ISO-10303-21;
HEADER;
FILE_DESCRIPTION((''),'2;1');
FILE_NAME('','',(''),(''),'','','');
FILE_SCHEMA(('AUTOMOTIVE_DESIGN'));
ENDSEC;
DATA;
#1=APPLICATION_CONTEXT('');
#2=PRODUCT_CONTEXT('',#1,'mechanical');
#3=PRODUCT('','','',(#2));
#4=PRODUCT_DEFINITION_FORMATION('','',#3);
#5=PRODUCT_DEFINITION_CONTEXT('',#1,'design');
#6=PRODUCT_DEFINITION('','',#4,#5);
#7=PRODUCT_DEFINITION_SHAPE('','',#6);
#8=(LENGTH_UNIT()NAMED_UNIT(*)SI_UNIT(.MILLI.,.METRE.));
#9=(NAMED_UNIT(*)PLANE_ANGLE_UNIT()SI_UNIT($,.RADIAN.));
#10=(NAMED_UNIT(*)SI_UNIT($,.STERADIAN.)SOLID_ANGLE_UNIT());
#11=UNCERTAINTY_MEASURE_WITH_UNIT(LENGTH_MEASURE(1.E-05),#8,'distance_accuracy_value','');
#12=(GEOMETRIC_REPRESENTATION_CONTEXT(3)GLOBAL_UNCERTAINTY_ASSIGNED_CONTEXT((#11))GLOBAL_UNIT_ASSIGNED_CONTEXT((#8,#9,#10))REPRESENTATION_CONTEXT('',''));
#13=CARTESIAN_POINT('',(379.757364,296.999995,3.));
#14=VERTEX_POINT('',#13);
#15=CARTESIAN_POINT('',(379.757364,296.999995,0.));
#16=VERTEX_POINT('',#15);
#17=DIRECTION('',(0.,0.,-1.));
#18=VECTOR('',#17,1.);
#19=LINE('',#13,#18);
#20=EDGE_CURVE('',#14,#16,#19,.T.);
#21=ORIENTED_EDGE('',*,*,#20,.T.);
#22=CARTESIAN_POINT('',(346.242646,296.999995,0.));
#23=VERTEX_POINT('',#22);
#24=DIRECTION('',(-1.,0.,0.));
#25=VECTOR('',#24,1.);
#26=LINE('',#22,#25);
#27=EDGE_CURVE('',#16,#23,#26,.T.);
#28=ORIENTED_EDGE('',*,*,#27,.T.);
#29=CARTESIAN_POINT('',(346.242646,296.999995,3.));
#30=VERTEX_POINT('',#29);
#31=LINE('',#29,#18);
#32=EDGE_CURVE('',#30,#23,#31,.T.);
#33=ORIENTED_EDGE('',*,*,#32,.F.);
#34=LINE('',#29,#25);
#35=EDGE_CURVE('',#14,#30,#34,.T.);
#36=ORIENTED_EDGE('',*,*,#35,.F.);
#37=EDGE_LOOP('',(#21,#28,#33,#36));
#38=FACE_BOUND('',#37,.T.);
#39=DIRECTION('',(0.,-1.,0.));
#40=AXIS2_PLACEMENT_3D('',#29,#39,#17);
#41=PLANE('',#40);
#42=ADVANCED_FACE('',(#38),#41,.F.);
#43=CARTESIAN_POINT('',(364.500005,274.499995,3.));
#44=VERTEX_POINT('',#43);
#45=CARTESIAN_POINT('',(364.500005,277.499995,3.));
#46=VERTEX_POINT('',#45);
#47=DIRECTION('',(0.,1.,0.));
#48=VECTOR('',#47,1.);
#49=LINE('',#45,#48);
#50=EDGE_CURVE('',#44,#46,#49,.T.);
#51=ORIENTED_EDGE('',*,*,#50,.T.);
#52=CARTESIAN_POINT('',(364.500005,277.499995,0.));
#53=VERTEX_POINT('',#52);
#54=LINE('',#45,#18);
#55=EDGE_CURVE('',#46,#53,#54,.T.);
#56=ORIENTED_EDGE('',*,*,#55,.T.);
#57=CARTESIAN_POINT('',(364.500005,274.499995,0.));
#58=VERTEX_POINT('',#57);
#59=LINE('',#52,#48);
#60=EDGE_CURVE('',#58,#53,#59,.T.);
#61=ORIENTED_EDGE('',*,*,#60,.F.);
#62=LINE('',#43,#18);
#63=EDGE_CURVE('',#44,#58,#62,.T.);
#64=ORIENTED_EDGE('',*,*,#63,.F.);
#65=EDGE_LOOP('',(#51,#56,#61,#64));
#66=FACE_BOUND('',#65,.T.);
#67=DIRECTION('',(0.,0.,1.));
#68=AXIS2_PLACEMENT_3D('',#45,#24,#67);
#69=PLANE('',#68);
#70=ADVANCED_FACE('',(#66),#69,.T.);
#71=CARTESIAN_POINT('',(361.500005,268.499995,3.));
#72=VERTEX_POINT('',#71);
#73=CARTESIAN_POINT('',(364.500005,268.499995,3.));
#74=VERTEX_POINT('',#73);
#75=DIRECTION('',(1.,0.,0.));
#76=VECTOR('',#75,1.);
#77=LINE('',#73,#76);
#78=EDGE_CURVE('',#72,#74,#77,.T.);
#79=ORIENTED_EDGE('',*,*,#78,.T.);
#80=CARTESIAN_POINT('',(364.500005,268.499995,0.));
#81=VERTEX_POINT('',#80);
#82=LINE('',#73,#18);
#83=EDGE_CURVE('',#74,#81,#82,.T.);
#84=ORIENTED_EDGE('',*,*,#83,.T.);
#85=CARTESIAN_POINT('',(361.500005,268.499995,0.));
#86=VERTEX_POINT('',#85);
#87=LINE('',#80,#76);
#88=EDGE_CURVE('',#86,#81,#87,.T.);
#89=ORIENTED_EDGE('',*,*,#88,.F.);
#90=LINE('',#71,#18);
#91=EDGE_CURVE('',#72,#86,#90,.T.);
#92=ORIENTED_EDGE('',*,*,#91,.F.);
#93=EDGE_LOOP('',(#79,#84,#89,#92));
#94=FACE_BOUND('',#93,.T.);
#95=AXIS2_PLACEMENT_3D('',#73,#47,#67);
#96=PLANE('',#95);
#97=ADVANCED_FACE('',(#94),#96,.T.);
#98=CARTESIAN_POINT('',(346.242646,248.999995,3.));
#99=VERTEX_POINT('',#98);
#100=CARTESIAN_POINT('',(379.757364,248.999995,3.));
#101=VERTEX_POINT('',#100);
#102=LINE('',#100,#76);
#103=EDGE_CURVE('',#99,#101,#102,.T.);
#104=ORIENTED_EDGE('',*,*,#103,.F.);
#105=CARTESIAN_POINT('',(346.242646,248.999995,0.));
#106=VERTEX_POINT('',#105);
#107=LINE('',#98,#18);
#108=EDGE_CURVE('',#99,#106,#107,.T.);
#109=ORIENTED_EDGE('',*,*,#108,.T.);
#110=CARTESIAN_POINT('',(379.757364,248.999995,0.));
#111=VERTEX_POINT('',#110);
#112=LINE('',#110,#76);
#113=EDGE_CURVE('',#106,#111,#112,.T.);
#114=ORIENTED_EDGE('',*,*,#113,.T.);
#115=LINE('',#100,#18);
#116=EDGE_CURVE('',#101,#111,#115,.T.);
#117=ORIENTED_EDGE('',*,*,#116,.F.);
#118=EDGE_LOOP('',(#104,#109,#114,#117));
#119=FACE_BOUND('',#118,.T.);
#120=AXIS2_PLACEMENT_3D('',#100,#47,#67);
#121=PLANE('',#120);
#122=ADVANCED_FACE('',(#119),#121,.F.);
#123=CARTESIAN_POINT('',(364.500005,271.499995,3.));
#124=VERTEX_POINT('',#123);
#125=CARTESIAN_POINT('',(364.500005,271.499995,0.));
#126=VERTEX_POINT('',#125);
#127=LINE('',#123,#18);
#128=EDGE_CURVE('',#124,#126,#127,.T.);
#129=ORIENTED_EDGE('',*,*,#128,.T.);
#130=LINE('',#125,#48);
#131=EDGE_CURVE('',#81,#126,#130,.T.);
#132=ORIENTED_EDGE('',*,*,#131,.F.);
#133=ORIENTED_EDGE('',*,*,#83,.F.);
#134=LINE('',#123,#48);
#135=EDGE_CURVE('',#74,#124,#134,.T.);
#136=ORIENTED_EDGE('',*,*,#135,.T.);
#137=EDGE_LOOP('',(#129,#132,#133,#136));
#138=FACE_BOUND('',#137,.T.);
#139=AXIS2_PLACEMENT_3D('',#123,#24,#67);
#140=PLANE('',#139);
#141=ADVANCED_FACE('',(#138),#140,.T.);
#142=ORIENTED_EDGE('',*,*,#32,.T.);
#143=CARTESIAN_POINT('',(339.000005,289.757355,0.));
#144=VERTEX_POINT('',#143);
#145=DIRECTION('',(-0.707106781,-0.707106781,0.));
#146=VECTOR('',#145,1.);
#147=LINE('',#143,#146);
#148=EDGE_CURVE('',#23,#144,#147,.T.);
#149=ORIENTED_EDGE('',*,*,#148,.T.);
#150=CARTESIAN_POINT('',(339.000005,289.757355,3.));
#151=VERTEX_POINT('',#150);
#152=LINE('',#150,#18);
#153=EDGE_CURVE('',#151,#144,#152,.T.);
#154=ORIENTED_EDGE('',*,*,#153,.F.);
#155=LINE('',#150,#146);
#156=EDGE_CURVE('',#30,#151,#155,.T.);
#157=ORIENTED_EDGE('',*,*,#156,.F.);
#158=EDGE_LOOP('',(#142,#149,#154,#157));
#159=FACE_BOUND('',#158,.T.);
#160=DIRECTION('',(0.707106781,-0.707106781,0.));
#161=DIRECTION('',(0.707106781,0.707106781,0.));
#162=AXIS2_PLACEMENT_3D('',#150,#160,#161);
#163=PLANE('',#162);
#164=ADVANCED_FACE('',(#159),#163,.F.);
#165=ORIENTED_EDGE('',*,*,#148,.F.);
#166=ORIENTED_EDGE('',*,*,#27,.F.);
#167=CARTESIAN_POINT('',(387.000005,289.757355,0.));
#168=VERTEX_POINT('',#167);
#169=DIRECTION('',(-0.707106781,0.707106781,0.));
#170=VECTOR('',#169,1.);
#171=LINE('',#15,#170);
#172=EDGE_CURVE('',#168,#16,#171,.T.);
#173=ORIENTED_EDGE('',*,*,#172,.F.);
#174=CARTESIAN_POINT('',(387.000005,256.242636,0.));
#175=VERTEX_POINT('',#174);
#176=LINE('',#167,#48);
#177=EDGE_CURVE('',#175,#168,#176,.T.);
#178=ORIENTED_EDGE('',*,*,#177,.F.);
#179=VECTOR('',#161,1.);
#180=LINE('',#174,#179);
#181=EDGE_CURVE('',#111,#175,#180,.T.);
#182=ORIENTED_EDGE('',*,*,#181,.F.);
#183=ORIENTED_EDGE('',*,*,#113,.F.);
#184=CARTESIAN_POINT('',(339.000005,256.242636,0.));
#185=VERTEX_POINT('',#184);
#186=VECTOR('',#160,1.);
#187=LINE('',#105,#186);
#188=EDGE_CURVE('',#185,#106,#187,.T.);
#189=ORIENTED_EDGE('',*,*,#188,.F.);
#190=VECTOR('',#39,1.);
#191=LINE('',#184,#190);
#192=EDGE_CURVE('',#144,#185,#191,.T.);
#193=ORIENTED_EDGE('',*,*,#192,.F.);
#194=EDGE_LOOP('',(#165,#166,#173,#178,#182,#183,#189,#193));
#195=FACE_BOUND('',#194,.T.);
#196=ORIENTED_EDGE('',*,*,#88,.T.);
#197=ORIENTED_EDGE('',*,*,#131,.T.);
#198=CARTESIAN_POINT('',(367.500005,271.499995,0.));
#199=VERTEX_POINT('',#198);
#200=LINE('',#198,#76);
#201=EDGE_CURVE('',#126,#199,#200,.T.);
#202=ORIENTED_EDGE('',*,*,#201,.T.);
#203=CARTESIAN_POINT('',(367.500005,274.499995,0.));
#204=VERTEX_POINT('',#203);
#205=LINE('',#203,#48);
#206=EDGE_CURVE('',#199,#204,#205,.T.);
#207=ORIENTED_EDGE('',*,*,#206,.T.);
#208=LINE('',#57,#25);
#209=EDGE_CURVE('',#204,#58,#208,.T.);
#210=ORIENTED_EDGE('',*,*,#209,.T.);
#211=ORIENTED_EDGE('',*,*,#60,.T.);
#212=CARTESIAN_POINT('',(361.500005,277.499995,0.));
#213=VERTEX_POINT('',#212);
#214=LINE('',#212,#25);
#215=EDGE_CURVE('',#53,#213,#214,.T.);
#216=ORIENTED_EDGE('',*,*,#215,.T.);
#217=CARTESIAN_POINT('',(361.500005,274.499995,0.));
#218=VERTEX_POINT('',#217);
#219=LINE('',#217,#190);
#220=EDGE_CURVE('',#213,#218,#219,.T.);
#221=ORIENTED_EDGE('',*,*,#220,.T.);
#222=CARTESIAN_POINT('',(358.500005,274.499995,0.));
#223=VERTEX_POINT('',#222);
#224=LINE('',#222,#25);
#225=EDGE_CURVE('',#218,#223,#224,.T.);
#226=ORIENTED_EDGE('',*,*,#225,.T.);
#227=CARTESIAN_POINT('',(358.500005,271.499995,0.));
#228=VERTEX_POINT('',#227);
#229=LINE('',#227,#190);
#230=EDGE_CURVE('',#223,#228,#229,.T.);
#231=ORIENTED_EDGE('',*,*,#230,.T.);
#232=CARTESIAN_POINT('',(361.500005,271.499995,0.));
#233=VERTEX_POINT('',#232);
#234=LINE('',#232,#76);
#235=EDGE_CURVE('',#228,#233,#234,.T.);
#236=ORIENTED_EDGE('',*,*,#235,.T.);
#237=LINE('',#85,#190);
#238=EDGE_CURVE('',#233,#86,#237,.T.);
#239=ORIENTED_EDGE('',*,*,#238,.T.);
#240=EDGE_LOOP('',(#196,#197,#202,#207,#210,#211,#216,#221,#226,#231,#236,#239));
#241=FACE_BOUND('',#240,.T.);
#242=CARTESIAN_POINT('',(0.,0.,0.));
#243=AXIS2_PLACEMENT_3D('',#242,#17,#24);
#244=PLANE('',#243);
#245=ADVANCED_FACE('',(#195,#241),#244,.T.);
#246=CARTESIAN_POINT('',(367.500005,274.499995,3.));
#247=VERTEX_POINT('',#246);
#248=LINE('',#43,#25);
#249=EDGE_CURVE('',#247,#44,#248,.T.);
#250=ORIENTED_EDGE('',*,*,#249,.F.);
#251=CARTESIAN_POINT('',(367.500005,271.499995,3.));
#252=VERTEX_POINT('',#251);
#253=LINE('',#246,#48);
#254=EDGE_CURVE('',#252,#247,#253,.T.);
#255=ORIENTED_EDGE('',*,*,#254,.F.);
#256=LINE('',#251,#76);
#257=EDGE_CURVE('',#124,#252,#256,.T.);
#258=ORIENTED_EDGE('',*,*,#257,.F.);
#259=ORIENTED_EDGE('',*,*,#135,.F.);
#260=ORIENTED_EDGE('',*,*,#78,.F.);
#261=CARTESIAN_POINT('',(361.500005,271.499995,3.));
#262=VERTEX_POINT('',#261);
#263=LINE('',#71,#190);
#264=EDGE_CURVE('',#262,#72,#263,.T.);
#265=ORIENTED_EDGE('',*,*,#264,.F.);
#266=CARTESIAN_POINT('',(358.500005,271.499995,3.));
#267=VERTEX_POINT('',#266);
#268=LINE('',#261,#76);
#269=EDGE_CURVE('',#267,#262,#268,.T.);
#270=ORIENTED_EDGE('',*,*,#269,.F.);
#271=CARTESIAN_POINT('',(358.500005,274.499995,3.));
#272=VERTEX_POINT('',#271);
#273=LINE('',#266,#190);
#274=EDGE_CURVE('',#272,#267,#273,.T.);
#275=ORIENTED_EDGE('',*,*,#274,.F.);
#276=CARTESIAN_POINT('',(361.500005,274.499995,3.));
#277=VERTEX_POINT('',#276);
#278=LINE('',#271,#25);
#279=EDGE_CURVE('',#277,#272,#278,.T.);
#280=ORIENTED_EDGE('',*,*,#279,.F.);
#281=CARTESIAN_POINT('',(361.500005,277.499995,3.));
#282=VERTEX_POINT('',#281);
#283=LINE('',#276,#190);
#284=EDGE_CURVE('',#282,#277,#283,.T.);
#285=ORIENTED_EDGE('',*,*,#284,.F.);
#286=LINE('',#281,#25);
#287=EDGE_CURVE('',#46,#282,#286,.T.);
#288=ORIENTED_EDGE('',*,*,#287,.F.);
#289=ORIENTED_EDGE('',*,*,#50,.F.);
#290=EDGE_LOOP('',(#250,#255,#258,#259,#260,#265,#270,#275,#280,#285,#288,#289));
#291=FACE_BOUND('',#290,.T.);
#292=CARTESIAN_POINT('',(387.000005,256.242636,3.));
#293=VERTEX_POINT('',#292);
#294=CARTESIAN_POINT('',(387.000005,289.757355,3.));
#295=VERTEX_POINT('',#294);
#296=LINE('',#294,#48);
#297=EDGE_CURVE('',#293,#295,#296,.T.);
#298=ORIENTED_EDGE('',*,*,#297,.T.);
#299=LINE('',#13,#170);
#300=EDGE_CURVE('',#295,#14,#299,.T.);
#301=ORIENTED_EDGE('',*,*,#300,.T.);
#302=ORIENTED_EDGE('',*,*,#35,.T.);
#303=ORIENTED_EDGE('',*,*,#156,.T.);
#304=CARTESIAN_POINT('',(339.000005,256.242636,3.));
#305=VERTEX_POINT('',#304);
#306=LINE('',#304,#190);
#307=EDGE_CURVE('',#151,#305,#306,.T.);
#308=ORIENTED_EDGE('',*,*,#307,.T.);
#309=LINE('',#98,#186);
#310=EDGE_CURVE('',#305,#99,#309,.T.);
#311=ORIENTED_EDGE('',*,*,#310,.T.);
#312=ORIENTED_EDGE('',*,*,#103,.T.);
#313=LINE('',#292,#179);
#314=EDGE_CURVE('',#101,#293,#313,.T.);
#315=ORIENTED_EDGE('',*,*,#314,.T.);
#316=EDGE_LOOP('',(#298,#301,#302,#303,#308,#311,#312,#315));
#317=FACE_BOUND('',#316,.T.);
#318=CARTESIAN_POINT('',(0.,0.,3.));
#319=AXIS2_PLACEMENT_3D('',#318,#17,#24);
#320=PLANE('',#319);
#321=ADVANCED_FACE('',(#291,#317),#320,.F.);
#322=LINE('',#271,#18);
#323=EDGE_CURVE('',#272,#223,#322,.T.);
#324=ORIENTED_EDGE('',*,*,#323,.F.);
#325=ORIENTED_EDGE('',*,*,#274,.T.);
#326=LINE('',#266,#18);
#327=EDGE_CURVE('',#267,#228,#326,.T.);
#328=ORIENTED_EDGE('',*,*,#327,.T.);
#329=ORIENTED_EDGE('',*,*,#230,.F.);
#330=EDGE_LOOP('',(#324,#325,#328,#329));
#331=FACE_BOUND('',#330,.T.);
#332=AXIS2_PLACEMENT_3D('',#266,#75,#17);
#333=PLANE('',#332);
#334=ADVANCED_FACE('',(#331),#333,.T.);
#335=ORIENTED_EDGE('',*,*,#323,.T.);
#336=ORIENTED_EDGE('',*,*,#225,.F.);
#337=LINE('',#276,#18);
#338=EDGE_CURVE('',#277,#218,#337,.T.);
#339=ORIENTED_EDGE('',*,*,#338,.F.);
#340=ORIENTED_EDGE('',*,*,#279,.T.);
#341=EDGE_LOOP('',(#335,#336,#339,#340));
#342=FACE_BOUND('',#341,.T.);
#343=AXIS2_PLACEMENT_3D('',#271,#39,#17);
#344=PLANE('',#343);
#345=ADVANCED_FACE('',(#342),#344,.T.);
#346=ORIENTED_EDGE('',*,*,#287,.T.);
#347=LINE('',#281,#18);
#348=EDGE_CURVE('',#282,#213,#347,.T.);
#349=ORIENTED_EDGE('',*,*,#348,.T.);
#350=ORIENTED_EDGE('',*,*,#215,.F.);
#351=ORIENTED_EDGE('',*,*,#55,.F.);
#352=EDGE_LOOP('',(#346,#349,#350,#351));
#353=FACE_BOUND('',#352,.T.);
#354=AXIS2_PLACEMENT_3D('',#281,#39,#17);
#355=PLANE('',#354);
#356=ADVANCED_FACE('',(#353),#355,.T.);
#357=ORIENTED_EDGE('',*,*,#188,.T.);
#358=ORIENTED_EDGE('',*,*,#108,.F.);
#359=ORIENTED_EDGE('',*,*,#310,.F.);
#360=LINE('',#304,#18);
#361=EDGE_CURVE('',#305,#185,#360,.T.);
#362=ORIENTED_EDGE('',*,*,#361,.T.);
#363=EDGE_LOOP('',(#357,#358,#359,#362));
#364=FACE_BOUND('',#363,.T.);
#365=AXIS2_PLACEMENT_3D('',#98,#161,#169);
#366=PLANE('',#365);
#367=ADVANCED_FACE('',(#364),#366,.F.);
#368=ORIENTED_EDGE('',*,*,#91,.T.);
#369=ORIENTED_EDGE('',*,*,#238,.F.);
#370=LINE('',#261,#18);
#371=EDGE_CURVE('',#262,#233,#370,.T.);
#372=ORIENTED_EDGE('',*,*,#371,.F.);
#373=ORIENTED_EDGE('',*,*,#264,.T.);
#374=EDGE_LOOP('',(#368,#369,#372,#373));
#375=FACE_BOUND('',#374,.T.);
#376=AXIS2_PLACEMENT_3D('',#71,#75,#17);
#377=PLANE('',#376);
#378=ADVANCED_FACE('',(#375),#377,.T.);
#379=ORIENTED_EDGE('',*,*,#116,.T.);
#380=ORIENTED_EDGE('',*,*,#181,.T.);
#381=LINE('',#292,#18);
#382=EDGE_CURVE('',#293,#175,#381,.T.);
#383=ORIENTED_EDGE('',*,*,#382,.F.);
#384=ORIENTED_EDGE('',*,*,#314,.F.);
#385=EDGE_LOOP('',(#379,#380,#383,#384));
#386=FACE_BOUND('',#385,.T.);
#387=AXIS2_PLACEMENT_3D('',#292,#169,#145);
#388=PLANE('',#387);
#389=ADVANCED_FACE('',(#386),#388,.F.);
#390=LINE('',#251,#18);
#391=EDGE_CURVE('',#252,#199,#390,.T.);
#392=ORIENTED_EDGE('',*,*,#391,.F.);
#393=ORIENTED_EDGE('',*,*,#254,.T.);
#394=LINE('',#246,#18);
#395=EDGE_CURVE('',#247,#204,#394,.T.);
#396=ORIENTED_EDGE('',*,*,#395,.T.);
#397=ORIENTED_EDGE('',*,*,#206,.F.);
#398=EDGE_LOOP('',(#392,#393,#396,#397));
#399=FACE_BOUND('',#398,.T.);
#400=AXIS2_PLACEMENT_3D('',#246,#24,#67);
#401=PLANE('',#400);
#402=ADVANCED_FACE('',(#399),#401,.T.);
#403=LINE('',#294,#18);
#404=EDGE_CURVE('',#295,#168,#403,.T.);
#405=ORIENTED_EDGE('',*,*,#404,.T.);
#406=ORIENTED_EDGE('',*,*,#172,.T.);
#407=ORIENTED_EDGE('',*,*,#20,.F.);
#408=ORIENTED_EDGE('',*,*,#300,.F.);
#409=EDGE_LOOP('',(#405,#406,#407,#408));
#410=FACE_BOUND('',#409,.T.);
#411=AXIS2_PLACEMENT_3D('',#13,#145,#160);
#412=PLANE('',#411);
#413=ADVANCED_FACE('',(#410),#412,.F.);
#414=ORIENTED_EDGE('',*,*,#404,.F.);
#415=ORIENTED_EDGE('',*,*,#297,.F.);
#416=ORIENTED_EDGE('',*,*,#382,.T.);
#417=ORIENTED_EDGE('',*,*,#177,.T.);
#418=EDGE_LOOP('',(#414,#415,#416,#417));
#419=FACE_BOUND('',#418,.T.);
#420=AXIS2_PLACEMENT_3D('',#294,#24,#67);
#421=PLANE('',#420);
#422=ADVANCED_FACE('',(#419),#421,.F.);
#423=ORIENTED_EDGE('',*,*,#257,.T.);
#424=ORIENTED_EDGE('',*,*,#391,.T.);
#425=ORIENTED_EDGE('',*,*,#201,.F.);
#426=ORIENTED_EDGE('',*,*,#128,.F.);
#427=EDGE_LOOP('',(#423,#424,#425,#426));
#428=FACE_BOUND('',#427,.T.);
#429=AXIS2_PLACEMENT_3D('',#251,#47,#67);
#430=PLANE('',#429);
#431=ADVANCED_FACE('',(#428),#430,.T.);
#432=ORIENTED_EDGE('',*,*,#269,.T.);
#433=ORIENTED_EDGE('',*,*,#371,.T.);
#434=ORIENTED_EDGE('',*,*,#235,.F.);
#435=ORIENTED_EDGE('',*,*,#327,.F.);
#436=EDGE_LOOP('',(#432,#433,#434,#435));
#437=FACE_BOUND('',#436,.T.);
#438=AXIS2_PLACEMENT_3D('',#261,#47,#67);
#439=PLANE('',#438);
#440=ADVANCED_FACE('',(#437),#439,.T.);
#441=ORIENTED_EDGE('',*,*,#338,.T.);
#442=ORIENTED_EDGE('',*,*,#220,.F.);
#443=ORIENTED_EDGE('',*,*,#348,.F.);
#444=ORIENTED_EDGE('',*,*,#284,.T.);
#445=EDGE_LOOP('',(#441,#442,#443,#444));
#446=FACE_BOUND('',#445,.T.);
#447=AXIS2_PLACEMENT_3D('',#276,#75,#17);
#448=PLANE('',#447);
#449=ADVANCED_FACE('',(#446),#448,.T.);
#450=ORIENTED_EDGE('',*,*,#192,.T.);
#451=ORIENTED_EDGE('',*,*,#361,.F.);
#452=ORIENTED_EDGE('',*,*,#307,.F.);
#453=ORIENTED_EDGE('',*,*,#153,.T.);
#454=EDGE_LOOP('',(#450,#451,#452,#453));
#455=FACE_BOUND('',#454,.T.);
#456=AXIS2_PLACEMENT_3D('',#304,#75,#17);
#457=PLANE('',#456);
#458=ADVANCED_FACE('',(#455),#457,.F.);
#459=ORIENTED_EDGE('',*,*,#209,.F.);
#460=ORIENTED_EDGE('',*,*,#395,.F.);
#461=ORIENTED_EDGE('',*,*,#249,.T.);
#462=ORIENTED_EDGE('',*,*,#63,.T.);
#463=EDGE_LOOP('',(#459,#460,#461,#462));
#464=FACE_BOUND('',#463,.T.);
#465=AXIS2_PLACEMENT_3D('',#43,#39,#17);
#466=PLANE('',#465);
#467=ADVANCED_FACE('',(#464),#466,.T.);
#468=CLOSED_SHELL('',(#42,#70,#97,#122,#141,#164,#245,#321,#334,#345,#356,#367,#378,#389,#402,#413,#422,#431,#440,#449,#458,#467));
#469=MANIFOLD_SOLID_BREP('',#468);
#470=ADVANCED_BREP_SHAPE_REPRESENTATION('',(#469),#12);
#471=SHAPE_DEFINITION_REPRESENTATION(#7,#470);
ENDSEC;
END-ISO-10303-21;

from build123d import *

# Parameters (mm, degrees)
BOSS_EXTRUDE1_DEPTH = 3


with BuildPart() as part:
    # Sketch1 → Boss-Extrude1 (new body)
    with BuildSketch(Plane.XY):
        Polygon((346.242645547, 248.99999521), (339.00000486, 256.242635897), (339.00000486, 289.757354523), (346.242645547, 296.99999521), (379.757364173, 296.99999521), (387.00000486, 289.757354523), (387.00000486, 256.242635897), (379.757364173, 248.99999521), align=None)
        Polygon((364.50000486, 277.49999521), (364.50000486, 274.49999521), (367.50000486, 274.49999521), (367.50000486, 271.49999521), (364.50000486, 271.49999521), (364.50000486, 268.49999521), (361.50000486, 268.49999521), (361.50000486, 271.49999521), (358.50000486, 271.49999521), (358.50000486, 274.49999521), (361.50000486, 274.49999521), (361.50000486, 277.49999521), align=None, mode=Mode.SUBTRACT)
    extrude(amount=BOSS_EXTRUDE1_DEPTH)


solid = part.part
